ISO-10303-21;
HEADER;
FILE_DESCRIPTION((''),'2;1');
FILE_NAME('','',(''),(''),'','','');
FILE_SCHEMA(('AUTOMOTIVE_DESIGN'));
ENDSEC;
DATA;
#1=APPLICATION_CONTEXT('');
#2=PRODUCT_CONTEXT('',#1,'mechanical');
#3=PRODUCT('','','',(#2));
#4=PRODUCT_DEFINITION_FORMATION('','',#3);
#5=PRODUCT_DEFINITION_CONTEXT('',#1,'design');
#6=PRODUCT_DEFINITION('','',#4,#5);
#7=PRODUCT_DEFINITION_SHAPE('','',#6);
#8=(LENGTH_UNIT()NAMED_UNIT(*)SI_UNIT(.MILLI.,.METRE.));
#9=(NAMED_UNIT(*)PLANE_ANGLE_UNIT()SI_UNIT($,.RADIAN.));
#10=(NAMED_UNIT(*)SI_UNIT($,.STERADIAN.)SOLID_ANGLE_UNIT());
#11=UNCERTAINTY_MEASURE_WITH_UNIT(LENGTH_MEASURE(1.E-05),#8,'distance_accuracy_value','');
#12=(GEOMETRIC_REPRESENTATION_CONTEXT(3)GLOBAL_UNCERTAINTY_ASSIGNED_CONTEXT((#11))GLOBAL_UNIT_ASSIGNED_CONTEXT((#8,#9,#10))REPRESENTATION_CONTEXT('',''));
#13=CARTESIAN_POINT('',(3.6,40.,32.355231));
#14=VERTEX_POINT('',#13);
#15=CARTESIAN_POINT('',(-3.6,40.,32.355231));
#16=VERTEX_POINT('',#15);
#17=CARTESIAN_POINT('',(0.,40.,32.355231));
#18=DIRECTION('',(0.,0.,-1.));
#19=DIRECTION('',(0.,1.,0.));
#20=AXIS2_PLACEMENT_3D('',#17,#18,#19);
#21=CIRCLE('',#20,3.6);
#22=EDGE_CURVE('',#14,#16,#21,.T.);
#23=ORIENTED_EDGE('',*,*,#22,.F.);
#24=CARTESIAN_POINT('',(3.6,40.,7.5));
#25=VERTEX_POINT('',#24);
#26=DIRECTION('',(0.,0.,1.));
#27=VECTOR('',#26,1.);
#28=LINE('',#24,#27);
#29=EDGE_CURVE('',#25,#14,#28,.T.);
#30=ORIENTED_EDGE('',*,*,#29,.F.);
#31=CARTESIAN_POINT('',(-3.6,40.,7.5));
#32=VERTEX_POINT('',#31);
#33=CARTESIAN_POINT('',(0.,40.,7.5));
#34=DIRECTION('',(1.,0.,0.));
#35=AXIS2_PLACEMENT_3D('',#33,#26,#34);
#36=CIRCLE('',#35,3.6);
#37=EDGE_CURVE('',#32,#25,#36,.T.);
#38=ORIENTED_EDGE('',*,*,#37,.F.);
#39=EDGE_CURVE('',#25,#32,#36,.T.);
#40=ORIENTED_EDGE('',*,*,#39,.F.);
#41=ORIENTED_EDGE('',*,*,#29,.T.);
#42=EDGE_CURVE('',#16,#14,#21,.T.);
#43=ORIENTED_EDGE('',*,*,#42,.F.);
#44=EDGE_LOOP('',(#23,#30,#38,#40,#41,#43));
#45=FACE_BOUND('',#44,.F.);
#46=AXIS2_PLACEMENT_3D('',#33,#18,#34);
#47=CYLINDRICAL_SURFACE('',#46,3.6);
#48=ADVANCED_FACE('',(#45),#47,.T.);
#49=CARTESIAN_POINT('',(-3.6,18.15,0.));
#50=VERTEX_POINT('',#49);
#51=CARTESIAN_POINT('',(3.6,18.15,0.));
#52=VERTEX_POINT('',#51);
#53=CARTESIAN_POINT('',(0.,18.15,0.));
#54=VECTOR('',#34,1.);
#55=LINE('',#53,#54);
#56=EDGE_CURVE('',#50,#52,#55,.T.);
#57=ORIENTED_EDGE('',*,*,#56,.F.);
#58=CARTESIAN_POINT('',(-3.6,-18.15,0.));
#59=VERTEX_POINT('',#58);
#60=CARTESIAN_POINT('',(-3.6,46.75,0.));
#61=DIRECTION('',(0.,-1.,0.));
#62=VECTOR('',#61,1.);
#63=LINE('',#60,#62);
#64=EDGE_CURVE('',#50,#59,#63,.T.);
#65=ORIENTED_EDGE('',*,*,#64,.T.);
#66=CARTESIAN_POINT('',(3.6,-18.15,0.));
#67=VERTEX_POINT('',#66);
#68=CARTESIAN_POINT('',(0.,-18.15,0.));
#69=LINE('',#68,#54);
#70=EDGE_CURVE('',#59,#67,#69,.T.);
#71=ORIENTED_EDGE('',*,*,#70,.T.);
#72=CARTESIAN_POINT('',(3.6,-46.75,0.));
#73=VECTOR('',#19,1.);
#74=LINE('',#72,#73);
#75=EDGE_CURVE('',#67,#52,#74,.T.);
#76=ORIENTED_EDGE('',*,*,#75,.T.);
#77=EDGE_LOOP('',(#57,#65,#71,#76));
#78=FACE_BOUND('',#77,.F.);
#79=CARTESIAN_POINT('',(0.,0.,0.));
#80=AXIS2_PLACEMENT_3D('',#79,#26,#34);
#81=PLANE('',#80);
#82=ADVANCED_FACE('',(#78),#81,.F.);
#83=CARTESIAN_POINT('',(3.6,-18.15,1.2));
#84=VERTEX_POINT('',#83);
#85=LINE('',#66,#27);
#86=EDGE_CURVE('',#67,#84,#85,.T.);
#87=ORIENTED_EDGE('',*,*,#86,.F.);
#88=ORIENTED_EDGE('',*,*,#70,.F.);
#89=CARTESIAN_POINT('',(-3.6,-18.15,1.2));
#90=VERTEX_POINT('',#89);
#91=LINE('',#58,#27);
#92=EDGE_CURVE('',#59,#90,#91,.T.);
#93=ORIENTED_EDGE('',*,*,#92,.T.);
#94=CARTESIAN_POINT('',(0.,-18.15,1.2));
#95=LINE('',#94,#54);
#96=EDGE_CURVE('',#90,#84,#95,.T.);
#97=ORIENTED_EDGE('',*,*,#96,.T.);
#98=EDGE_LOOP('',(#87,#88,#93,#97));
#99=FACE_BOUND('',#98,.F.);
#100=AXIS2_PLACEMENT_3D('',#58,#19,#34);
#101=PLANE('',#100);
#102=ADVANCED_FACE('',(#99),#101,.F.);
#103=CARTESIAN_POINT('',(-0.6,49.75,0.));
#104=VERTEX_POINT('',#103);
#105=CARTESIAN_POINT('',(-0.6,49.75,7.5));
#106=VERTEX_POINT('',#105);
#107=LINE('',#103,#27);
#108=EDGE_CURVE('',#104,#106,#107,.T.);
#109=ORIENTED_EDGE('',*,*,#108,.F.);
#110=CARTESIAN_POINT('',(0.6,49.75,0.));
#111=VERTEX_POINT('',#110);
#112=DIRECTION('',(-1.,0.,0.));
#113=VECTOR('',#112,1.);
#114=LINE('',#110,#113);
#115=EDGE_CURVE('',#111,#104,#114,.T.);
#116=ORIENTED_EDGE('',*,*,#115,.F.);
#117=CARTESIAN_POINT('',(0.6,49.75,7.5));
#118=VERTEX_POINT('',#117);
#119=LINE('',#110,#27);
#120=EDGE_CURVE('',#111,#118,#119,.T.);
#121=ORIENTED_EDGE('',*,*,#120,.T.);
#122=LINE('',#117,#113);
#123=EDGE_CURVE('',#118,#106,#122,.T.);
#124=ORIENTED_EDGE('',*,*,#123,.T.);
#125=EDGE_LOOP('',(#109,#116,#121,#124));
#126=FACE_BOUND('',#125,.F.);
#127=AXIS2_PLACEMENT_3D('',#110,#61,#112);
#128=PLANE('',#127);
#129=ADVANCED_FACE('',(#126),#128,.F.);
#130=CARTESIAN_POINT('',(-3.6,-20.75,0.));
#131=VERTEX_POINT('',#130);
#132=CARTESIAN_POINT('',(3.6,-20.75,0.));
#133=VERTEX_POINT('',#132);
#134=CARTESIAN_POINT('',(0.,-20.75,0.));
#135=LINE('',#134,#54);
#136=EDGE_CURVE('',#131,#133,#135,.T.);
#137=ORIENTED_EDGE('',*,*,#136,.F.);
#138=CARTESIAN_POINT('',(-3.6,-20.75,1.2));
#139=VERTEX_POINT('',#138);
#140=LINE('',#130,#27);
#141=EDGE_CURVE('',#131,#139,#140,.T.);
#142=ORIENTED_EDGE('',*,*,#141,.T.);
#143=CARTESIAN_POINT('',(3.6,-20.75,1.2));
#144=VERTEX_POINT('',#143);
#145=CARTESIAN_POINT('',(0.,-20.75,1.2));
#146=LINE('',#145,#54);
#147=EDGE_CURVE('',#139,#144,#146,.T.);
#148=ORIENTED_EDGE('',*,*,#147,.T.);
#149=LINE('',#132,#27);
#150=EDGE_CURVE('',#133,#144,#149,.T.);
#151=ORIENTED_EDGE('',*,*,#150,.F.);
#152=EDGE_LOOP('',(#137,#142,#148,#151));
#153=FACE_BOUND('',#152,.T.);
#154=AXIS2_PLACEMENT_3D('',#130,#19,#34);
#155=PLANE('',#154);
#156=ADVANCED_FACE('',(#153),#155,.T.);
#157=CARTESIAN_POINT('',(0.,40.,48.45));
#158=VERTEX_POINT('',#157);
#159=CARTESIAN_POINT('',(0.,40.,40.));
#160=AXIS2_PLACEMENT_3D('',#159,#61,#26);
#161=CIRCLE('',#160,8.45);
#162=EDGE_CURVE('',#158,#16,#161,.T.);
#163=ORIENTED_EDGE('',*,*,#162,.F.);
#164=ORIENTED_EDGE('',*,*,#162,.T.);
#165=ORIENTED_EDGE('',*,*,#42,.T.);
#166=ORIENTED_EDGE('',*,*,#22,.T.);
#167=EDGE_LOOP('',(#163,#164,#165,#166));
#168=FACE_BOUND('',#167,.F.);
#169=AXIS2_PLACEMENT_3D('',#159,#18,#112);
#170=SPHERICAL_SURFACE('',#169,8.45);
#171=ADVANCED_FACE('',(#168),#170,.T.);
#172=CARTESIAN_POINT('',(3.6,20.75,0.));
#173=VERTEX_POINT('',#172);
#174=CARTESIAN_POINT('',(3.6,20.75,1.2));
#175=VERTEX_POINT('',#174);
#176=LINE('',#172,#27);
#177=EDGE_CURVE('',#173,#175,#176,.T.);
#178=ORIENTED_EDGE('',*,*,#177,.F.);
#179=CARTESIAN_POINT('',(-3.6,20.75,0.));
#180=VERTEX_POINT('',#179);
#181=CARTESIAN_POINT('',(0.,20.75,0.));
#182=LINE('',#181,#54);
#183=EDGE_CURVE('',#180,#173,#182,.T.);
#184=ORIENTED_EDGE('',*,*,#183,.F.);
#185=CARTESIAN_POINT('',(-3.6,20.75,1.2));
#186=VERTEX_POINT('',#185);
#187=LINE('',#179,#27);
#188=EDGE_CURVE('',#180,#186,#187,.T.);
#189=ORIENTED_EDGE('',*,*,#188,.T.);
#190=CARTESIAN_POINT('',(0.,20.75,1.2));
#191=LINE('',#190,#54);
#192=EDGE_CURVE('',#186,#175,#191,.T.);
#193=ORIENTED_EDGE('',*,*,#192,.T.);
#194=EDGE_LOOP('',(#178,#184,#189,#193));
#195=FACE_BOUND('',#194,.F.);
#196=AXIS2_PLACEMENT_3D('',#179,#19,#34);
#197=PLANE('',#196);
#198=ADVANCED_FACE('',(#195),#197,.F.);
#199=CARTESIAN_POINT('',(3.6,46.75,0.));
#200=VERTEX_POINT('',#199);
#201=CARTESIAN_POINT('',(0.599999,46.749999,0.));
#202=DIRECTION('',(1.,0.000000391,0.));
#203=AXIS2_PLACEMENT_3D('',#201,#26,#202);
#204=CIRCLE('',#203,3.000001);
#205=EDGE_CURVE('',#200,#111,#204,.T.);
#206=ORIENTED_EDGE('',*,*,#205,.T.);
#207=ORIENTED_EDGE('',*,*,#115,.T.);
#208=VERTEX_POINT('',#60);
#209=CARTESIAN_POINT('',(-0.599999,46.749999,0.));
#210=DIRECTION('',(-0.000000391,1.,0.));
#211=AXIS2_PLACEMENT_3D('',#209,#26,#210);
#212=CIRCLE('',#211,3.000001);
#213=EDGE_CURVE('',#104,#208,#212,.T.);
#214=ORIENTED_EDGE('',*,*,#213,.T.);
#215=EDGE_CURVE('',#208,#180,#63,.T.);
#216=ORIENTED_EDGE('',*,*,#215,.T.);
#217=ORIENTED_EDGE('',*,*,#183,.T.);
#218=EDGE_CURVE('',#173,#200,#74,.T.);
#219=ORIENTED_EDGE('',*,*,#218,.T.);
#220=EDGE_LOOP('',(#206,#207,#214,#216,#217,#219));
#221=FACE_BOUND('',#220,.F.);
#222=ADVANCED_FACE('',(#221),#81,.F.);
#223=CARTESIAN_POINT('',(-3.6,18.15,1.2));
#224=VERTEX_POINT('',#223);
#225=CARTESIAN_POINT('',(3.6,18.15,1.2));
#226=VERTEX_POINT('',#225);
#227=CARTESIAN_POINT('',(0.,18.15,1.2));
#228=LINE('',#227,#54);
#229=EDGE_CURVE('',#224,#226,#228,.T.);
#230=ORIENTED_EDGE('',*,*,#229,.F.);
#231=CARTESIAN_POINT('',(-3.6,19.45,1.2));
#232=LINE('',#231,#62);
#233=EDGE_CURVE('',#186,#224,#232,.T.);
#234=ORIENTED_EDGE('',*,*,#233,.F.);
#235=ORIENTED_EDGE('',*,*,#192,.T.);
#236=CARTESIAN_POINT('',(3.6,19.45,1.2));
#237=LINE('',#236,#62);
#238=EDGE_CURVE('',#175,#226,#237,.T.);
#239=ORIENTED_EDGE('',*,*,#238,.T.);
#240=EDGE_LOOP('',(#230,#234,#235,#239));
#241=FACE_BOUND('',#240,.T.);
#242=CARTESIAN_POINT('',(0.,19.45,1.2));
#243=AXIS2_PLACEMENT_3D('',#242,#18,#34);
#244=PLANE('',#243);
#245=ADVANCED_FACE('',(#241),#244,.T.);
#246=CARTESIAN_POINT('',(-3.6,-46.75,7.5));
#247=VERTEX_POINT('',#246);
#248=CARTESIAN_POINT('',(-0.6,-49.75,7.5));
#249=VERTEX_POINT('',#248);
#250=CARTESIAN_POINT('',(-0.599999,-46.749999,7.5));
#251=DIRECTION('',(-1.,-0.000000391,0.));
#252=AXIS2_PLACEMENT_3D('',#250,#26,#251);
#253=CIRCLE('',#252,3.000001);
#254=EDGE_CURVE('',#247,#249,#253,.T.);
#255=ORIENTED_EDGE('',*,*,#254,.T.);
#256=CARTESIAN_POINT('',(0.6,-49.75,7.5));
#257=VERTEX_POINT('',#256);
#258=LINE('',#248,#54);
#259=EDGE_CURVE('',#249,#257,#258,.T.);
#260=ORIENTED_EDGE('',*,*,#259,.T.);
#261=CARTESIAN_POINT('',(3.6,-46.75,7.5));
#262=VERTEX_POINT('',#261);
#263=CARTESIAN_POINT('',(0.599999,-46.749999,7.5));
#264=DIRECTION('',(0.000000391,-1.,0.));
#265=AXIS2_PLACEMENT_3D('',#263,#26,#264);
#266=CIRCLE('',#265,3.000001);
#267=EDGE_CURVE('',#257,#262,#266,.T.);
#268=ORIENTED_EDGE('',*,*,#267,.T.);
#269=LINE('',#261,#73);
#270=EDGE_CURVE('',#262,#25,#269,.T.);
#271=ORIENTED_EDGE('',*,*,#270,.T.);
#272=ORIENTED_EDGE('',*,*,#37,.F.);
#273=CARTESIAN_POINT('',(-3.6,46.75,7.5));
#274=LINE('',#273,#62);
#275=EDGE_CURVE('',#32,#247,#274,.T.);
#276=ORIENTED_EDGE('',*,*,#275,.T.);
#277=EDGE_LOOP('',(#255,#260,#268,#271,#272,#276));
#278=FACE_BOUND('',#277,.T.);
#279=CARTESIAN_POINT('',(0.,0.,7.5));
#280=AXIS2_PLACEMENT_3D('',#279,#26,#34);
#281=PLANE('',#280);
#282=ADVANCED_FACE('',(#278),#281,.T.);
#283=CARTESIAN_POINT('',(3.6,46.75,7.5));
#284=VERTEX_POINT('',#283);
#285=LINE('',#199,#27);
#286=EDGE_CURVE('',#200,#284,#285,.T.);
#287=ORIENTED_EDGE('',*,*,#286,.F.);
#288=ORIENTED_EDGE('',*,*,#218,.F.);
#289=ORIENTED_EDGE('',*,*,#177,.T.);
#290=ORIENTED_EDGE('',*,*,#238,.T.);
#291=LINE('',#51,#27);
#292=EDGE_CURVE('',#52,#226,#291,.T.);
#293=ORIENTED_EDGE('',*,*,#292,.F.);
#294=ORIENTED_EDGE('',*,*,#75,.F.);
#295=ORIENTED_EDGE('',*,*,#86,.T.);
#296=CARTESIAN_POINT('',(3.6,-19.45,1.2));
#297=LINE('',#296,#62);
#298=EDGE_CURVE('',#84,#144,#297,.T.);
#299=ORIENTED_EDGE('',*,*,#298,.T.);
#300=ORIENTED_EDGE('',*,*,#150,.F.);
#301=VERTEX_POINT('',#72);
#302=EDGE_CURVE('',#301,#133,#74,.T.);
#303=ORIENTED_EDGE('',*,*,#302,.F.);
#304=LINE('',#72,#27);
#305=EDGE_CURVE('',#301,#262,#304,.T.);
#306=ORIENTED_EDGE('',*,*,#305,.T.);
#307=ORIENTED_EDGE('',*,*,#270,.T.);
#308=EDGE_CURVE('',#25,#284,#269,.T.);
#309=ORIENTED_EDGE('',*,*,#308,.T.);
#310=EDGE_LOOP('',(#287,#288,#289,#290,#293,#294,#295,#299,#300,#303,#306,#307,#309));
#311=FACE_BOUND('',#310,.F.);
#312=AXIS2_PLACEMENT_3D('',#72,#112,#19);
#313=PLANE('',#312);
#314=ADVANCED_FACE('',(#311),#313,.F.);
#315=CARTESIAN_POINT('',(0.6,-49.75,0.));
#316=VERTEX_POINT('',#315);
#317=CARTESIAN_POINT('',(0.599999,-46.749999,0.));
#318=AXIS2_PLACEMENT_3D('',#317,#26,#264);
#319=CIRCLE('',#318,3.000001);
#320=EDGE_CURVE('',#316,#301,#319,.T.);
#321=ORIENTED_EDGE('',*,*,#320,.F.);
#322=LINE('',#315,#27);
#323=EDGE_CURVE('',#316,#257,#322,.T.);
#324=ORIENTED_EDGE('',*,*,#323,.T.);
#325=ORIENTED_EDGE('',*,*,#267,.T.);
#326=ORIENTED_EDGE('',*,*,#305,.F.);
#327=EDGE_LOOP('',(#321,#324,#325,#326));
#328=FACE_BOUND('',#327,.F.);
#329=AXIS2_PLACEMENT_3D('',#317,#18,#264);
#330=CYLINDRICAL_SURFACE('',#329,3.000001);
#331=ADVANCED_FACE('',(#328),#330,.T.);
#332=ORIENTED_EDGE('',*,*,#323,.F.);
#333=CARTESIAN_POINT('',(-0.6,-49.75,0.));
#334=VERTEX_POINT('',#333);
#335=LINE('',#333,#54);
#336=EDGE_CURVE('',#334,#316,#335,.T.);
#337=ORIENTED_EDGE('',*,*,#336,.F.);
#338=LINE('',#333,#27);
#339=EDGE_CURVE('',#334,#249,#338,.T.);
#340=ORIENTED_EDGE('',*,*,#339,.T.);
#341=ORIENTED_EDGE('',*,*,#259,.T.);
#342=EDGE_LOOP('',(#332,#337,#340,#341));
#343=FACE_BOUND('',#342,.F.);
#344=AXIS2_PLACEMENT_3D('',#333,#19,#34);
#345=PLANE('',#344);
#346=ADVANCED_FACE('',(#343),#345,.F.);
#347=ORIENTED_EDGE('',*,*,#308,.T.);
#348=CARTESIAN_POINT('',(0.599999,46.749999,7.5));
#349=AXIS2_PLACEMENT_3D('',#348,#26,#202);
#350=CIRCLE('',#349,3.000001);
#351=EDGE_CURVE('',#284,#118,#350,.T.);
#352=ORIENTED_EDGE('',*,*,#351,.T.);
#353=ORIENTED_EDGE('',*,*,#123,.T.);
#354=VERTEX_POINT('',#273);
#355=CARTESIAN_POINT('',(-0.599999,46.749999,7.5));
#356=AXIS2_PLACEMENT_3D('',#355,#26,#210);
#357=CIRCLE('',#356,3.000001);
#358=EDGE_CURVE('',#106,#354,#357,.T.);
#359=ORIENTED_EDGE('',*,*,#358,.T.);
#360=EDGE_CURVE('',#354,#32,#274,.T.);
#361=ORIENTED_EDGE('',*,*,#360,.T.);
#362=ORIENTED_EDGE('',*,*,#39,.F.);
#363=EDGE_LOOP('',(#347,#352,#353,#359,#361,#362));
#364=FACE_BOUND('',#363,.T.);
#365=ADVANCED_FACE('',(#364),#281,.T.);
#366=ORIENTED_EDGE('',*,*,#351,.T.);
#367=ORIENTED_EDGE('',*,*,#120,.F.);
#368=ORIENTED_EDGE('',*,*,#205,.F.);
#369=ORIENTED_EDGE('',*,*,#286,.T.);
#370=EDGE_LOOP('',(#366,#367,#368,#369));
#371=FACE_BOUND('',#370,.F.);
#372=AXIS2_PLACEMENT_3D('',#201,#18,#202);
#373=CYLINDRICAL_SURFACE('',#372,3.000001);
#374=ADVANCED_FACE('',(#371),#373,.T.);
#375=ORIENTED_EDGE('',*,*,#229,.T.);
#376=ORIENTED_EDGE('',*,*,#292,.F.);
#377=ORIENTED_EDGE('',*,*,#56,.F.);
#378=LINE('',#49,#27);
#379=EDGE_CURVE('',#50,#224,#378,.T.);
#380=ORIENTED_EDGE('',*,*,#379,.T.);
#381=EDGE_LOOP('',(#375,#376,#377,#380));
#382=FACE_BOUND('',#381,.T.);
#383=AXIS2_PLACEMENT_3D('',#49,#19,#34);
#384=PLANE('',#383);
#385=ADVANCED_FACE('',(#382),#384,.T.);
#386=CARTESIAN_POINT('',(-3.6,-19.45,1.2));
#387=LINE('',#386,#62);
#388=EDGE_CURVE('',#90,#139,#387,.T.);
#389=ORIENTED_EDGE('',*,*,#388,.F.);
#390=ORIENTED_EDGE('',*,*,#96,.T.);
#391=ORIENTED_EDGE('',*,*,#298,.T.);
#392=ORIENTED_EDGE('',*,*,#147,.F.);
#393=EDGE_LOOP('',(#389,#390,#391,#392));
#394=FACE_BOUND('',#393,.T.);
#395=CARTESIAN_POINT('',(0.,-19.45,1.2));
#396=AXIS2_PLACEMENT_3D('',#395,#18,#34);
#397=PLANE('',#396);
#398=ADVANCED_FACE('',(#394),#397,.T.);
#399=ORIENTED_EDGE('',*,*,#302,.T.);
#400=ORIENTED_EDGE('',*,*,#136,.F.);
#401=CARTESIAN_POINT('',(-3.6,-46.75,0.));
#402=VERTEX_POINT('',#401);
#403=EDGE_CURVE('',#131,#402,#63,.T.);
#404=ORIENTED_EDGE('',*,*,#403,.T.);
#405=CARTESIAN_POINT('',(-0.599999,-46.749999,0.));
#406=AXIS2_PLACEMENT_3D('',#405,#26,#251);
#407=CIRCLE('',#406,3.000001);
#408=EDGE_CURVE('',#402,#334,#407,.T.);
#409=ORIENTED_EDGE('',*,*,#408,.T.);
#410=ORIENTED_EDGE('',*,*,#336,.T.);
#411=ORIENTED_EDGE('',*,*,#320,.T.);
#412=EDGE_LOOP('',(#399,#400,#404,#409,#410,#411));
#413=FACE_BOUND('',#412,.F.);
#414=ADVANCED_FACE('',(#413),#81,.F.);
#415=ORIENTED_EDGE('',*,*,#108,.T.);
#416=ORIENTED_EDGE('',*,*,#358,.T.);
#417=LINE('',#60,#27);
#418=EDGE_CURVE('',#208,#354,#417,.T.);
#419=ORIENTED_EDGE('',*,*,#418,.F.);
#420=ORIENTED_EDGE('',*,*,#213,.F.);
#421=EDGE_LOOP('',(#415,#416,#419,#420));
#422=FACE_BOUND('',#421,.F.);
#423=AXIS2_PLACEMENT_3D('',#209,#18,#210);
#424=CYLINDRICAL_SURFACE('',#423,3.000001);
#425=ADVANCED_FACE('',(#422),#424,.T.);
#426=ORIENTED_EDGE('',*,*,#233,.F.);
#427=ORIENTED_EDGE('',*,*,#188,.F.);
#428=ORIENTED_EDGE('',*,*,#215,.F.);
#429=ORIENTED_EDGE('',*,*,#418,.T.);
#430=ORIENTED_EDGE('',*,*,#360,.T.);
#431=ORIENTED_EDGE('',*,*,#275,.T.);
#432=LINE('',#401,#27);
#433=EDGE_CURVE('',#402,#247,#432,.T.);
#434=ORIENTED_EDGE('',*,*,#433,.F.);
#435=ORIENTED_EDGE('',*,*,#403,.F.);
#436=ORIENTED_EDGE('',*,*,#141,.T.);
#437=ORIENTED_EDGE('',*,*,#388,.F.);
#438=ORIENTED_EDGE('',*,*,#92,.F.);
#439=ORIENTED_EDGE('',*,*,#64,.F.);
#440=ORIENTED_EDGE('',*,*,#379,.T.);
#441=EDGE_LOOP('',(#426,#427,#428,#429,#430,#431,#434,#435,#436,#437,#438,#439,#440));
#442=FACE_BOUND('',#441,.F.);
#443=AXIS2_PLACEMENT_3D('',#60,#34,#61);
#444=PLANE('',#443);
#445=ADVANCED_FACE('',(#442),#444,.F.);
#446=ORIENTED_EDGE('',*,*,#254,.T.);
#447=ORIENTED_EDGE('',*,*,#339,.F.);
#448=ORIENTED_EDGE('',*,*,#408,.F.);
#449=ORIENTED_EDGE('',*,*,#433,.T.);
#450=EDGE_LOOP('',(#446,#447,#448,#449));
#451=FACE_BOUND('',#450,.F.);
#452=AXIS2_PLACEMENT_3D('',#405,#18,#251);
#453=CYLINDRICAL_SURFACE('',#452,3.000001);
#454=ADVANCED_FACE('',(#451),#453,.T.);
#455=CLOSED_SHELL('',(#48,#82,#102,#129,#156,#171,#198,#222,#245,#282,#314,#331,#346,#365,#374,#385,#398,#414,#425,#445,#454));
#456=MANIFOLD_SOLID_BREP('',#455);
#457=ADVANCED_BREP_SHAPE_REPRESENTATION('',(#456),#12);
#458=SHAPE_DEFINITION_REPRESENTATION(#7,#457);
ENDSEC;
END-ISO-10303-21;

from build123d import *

# Parameters (mm, degrees)
F1_DEPTH = 7.5
F2_W     = 7.2
F2_H     = 2.6
F3_DEPTH = 1.2
F4_R     = 3.6
F5_DEPTH = 25


with BuildPart() as f1:
    # F0 (on Top) → F1 (new body)
    with BuildSketch(Plane.XY):
        with BuildLine():
            ThreePointArc((3.6, 46.75), (2.72132, 48.87132), (0.6, 49.75))
            Line((0.6, 49.75), (-0.6, 49.75))
            ThreePointArc((-0.6, 49.75), (-2.72132, 48.87132), (-3.6, 46.75))
            Line((-3.6, 46.75), (-3.6, -46.75))
            ThreePointArc((-3.6, -46.75), (-2.72132, -48.87132), (-0.6, -49.75))
            Line((-0.6, -49.75), (0.6, -49.75))
            ThreePointArc((0.6, -49.75), (2.72132, -48.87132), (3.6, -46.75))
            Line((3.6, -46.75), (3.6, 46.75))
        make_face()
    extrude(amount=F1_DEPTH)

    # F2 (on face) → F3 (cut)
    with BuildSketch(Plane(origin=(0, 0, 0), x_dir=(1, 0, 0), z_dir=(0, 0, -1))):
        with Locations((0, 19.45)):
            Rectangle(F2_W, F2_H)
        with Locations((0, -19.45)):
            Rectangle(F2_W, F2_H)
    extrude(amount=-F3_DEPTH, mode=Mode.SUBTRACT)

    # F4 (on face) → F5 (join)
    with BuildSketch(Plane.XY.offset(7.5)):
        with Locations((0, 40)):
            Circle(F4_R)
    extrude(amount=F5_DEPTH)

    # F7 (on offset) → F8 (revolve)
    with BuildSketch(Plane.XZ.offset(-40)):
        with BuildLine():
            Line((0, 31.55), (0, 48.45))
            ThreePointArc((0, 48.45), (-8.45, 40), (0, 31.55))
        make_face()
    revolve(axis=Axis((0, 40, 40), (0, 0, 1)))


solid = f1.part
